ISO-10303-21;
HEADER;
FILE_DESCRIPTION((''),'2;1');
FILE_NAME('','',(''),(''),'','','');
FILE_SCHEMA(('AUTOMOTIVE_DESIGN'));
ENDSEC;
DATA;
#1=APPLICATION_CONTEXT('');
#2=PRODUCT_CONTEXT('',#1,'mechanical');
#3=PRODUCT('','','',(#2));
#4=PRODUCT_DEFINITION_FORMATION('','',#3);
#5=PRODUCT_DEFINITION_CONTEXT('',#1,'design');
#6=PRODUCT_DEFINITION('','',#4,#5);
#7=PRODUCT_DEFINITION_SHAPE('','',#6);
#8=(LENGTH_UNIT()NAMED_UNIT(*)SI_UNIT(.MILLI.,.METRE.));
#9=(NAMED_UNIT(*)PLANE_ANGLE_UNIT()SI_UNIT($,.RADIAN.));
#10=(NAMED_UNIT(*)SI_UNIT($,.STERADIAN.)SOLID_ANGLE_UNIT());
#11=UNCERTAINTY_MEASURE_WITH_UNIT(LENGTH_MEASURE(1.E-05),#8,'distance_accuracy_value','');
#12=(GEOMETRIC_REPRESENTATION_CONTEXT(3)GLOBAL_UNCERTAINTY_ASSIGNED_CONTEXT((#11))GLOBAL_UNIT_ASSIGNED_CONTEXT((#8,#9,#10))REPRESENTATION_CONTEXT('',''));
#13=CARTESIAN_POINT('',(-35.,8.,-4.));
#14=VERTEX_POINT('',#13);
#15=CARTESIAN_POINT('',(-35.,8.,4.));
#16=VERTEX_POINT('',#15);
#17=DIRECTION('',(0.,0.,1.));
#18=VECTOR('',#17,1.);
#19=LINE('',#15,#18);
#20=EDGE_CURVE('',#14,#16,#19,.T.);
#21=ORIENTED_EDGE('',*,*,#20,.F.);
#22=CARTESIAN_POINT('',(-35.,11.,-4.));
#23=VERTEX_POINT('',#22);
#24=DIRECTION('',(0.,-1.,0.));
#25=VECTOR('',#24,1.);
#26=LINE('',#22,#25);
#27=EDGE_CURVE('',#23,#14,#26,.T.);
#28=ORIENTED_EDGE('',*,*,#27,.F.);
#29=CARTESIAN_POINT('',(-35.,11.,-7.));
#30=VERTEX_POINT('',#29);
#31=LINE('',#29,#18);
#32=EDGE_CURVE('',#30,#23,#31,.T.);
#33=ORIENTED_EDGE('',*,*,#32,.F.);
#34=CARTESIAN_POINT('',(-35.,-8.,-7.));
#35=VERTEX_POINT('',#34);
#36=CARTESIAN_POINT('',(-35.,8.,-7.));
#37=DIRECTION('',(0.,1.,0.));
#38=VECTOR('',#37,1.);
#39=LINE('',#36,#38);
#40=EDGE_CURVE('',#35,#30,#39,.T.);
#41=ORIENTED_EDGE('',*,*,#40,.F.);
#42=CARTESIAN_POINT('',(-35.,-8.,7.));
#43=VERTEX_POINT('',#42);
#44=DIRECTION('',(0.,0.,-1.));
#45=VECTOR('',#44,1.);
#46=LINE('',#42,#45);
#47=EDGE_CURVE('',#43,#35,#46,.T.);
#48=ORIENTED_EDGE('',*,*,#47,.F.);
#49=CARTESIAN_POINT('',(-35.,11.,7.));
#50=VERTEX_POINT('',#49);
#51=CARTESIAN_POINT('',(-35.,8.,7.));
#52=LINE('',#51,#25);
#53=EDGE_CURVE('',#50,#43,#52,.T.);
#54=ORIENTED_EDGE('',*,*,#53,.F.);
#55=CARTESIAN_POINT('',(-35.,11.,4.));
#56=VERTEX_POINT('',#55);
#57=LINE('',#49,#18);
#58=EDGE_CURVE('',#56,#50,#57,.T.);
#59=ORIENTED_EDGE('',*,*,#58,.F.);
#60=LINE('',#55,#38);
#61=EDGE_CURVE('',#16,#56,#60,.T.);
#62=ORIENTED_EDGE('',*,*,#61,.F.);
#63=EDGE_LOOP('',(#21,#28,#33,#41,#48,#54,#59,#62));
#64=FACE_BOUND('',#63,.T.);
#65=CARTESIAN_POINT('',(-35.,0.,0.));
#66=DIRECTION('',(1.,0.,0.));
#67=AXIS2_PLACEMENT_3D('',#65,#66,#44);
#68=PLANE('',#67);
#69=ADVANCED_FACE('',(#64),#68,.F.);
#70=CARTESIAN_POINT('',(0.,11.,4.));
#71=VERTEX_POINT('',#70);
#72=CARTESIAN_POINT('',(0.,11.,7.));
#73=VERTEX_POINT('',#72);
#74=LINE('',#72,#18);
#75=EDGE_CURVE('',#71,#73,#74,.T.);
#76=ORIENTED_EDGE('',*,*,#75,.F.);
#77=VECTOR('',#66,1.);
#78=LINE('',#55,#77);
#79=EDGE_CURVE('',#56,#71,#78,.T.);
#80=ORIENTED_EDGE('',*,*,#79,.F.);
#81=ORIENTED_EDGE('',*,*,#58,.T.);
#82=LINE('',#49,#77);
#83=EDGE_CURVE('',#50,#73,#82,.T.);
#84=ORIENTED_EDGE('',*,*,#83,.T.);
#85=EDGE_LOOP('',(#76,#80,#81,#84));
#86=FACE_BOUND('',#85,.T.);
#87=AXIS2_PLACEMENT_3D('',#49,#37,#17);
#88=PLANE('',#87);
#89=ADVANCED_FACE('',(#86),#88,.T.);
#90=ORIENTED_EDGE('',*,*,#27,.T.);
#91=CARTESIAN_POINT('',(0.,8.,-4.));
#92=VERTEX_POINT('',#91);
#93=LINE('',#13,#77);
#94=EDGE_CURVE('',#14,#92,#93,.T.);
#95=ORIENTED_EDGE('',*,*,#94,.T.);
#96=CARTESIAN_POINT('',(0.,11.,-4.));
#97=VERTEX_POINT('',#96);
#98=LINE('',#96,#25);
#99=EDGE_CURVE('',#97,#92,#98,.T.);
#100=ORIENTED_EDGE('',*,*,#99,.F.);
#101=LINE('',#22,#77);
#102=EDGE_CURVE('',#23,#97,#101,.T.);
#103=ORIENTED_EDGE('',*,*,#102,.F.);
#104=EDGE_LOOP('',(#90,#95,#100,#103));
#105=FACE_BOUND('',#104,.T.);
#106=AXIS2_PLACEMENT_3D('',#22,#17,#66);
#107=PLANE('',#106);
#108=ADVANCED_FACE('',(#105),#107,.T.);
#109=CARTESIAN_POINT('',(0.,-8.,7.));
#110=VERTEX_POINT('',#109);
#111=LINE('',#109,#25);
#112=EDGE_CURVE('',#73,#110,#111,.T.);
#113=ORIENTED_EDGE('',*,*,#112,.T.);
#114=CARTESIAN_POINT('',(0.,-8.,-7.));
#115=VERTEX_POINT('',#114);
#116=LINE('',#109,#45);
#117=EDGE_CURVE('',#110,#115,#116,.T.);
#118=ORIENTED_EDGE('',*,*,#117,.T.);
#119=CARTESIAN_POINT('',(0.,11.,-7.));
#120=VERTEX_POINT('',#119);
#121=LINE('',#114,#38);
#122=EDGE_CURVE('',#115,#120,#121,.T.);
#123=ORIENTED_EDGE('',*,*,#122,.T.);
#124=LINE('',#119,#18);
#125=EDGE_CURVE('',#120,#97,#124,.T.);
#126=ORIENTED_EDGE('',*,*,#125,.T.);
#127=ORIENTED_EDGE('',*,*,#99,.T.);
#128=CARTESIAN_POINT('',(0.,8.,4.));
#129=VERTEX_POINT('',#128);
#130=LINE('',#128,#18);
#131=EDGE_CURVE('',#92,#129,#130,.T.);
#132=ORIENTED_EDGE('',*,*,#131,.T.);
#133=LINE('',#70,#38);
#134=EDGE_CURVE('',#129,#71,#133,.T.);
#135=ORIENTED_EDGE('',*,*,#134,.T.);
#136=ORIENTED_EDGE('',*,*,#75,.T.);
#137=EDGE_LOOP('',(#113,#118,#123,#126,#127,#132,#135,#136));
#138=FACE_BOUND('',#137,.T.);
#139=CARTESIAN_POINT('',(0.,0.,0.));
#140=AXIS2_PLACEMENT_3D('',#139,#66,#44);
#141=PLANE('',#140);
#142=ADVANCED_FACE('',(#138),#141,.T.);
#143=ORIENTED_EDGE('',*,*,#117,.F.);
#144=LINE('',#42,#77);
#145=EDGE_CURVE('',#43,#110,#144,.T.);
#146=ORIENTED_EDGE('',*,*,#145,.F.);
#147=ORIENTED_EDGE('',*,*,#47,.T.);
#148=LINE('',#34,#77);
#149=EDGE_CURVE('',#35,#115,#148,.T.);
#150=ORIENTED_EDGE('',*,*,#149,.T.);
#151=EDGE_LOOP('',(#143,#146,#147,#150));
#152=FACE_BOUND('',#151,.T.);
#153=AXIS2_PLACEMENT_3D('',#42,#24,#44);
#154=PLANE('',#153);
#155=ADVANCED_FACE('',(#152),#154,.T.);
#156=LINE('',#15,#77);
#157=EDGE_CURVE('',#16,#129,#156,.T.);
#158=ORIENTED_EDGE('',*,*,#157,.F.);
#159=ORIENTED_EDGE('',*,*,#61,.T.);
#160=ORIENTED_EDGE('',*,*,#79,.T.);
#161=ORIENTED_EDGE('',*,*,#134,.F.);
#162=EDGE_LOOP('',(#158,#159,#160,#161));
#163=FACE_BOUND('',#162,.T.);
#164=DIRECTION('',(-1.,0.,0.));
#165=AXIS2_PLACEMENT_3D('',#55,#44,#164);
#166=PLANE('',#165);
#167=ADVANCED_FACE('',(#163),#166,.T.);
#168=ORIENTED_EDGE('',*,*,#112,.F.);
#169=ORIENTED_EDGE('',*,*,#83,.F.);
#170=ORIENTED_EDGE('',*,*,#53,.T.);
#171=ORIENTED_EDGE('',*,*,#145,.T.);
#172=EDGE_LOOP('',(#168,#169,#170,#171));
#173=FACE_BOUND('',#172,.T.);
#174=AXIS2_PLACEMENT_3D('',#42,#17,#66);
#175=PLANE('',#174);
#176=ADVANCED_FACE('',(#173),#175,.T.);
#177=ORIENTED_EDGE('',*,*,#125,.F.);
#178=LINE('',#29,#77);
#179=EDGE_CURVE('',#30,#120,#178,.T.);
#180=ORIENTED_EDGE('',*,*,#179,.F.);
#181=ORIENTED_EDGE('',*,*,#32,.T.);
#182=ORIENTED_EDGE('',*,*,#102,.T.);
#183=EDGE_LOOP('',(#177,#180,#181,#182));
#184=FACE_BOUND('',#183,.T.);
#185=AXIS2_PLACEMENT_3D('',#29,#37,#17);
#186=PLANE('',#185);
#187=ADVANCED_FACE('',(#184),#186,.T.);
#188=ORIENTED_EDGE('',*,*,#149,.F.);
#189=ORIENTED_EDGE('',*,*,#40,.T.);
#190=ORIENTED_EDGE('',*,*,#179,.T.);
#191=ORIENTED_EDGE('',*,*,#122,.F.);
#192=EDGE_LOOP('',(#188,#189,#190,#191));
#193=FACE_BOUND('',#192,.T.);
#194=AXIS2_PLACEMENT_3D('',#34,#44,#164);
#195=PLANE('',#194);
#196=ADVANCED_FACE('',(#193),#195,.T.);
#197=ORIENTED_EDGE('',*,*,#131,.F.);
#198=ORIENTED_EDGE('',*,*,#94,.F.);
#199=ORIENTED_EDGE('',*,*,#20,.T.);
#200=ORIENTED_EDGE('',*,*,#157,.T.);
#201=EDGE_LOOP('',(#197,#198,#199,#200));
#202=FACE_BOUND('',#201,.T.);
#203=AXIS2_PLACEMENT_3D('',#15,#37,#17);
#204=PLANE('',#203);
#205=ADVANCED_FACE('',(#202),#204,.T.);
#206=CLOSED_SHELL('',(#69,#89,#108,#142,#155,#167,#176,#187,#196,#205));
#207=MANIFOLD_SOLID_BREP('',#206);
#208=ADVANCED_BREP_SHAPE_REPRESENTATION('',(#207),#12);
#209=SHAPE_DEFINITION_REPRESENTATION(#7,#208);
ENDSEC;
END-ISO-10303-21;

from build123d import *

# Parameters (mm, degrees)
BOSS_EXTRUDE1_DEPTH = 35


with BuildPart() as part:
    # Sketch1 → Boss-Extrude1 (new body)
    with BuildSketch(Plane(origin=(0, 0, 0), x_dir=(0, 0, -1), z_dir=(1, 0, 0))):
        Polygon((-7, 8), (-7, 11), (-4, 11), (-4, 8), (4, 8), (4, 11), (7, 11), (7, 8), (7, -8), (-7, -8), align=None)
    extrude(amount=-BOSS_EXTRUDE1_DEPTH)


solid = part.part
